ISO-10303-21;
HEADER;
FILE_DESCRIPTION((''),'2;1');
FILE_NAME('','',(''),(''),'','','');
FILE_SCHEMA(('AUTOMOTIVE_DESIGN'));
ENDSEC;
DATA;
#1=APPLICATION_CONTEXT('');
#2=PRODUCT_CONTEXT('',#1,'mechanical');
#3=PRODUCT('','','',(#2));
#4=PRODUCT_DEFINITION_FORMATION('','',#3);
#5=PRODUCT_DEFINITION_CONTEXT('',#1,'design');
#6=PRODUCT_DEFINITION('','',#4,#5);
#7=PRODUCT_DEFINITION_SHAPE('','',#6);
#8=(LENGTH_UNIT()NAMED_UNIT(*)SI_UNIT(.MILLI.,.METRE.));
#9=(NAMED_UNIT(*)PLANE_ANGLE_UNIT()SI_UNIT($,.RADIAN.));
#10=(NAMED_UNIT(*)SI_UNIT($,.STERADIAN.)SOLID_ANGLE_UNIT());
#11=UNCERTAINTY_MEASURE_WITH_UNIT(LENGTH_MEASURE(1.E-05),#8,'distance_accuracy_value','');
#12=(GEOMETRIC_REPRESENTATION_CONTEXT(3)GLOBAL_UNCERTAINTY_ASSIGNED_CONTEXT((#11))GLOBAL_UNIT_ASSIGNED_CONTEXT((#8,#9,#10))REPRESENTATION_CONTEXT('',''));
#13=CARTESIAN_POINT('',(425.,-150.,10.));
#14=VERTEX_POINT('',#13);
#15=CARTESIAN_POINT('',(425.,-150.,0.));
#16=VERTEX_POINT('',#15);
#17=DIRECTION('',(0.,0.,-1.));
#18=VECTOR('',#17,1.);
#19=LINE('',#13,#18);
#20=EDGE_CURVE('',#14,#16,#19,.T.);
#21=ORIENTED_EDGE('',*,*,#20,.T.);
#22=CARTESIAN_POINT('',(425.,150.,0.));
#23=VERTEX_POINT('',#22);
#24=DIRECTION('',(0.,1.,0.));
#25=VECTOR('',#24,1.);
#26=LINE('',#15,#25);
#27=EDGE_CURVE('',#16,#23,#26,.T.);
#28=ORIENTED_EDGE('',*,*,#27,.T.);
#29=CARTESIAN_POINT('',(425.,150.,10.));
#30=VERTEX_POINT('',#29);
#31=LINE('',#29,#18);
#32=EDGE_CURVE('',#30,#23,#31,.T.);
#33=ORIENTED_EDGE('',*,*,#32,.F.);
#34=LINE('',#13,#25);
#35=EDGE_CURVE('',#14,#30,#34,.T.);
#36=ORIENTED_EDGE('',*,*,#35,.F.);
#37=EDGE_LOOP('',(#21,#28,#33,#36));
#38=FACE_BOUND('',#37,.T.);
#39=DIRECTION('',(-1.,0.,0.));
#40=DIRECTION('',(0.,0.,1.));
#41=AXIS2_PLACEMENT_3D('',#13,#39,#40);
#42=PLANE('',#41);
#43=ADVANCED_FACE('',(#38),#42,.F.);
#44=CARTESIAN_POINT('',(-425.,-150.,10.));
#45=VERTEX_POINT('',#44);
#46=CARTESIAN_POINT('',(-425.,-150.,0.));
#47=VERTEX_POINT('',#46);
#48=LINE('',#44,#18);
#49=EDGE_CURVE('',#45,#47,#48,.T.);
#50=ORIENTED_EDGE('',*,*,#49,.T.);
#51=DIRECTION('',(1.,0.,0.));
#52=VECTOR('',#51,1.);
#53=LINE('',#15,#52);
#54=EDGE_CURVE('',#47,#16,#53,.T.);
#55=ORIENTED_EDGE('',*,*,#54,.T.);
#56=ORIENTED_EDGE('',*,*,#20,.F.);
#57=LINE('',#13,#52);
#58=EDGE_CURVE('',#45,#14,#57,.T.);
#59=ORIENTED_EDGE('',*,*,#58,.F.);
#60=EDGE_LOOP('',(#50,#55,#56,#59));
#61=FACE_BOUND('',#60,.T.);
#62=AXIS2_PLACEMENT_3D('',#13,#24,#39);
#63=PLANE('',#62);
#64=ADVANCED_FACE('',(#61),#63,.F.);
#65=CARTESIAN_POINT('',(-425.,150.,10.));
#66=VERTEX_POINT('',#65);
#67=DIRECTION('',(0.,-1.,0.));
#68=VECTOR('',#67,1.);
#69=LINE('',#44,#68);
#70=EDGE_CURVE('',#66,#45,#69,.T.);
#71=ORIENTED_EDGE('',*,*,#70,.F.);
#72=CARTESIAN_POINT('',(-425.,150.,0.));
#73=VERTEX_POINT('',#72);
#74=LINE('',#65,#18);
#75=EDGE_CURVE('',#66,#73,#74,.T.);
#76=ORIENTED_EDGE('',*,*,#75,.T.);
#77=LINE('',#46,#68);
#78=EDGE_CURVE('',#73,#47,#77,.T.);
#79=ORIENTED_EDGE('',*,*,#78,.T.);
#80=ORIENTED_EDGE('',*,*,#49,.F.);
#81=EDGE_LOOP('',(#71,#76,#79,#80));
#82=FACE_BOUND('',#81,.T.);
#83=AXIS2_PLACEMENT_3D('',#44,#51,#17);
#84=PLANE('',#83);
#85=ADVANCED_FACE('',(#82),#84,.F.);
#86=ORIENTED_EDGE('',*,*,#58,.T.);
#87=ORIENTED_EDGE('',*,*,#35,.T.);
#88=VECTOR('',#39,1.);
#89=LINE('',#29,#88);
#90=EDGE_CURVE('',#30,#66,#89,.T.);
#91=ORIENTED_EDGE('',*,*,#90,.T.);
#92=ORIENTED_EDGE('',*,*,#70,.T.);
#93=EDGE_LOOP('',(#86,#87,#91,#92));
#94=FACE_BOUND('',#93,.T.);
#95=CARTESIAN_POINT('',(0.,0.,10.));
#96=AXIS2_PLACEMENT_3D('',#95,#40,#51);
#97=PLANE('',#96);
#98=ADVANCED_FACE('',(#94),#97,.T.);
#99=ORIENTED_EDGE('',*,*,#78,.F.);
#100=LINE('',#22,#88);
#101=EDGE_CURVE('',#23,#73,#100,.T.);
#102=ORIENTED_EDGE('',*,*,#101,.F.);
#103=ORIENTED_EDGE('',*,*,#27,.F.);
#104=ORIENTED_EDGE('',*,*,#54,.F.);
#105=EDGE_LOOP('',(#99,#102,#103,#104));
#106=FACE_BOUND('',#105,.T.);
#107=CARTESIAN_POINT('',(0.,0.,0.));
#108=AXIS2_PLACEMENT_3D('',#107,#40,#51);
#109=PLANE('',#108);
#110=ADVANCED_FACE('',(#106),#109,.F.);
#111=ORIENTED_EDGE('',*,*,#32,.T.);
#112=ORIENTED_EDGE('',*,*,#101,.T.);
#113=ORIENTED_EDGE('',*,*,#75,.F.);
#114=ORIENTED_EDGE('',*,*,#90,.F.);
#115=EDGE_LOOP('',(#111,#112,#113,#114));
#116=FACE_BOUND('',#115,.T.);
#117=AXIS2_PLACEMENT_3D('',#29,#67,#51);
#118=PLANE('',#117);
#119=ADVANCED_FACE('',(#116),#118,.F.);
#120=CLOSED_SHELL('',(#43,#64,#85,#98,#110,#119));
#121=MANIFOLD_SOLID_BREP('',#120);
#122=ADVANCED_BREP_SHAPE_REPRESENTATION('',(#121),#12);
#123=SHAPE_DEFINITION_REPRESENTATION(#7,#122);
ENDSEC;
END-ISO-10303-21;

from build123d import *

# Parameters (mm, degrees)
SKETCH_1_W      = 850
SKETCH_1_H      = 300
EXTRUDE_1_DEPTH = 10


with BuildPart() as part:
    # Эскиз1 → Бобышка-Вытянуть1 (new body)
    with BuildSketch(Plane.XY):
        Rectangle(SKETCH_1_W, SKETCH_1_H)
    extrude(amount=EXTRUDE_1_DEPTH)


solid = part.part
